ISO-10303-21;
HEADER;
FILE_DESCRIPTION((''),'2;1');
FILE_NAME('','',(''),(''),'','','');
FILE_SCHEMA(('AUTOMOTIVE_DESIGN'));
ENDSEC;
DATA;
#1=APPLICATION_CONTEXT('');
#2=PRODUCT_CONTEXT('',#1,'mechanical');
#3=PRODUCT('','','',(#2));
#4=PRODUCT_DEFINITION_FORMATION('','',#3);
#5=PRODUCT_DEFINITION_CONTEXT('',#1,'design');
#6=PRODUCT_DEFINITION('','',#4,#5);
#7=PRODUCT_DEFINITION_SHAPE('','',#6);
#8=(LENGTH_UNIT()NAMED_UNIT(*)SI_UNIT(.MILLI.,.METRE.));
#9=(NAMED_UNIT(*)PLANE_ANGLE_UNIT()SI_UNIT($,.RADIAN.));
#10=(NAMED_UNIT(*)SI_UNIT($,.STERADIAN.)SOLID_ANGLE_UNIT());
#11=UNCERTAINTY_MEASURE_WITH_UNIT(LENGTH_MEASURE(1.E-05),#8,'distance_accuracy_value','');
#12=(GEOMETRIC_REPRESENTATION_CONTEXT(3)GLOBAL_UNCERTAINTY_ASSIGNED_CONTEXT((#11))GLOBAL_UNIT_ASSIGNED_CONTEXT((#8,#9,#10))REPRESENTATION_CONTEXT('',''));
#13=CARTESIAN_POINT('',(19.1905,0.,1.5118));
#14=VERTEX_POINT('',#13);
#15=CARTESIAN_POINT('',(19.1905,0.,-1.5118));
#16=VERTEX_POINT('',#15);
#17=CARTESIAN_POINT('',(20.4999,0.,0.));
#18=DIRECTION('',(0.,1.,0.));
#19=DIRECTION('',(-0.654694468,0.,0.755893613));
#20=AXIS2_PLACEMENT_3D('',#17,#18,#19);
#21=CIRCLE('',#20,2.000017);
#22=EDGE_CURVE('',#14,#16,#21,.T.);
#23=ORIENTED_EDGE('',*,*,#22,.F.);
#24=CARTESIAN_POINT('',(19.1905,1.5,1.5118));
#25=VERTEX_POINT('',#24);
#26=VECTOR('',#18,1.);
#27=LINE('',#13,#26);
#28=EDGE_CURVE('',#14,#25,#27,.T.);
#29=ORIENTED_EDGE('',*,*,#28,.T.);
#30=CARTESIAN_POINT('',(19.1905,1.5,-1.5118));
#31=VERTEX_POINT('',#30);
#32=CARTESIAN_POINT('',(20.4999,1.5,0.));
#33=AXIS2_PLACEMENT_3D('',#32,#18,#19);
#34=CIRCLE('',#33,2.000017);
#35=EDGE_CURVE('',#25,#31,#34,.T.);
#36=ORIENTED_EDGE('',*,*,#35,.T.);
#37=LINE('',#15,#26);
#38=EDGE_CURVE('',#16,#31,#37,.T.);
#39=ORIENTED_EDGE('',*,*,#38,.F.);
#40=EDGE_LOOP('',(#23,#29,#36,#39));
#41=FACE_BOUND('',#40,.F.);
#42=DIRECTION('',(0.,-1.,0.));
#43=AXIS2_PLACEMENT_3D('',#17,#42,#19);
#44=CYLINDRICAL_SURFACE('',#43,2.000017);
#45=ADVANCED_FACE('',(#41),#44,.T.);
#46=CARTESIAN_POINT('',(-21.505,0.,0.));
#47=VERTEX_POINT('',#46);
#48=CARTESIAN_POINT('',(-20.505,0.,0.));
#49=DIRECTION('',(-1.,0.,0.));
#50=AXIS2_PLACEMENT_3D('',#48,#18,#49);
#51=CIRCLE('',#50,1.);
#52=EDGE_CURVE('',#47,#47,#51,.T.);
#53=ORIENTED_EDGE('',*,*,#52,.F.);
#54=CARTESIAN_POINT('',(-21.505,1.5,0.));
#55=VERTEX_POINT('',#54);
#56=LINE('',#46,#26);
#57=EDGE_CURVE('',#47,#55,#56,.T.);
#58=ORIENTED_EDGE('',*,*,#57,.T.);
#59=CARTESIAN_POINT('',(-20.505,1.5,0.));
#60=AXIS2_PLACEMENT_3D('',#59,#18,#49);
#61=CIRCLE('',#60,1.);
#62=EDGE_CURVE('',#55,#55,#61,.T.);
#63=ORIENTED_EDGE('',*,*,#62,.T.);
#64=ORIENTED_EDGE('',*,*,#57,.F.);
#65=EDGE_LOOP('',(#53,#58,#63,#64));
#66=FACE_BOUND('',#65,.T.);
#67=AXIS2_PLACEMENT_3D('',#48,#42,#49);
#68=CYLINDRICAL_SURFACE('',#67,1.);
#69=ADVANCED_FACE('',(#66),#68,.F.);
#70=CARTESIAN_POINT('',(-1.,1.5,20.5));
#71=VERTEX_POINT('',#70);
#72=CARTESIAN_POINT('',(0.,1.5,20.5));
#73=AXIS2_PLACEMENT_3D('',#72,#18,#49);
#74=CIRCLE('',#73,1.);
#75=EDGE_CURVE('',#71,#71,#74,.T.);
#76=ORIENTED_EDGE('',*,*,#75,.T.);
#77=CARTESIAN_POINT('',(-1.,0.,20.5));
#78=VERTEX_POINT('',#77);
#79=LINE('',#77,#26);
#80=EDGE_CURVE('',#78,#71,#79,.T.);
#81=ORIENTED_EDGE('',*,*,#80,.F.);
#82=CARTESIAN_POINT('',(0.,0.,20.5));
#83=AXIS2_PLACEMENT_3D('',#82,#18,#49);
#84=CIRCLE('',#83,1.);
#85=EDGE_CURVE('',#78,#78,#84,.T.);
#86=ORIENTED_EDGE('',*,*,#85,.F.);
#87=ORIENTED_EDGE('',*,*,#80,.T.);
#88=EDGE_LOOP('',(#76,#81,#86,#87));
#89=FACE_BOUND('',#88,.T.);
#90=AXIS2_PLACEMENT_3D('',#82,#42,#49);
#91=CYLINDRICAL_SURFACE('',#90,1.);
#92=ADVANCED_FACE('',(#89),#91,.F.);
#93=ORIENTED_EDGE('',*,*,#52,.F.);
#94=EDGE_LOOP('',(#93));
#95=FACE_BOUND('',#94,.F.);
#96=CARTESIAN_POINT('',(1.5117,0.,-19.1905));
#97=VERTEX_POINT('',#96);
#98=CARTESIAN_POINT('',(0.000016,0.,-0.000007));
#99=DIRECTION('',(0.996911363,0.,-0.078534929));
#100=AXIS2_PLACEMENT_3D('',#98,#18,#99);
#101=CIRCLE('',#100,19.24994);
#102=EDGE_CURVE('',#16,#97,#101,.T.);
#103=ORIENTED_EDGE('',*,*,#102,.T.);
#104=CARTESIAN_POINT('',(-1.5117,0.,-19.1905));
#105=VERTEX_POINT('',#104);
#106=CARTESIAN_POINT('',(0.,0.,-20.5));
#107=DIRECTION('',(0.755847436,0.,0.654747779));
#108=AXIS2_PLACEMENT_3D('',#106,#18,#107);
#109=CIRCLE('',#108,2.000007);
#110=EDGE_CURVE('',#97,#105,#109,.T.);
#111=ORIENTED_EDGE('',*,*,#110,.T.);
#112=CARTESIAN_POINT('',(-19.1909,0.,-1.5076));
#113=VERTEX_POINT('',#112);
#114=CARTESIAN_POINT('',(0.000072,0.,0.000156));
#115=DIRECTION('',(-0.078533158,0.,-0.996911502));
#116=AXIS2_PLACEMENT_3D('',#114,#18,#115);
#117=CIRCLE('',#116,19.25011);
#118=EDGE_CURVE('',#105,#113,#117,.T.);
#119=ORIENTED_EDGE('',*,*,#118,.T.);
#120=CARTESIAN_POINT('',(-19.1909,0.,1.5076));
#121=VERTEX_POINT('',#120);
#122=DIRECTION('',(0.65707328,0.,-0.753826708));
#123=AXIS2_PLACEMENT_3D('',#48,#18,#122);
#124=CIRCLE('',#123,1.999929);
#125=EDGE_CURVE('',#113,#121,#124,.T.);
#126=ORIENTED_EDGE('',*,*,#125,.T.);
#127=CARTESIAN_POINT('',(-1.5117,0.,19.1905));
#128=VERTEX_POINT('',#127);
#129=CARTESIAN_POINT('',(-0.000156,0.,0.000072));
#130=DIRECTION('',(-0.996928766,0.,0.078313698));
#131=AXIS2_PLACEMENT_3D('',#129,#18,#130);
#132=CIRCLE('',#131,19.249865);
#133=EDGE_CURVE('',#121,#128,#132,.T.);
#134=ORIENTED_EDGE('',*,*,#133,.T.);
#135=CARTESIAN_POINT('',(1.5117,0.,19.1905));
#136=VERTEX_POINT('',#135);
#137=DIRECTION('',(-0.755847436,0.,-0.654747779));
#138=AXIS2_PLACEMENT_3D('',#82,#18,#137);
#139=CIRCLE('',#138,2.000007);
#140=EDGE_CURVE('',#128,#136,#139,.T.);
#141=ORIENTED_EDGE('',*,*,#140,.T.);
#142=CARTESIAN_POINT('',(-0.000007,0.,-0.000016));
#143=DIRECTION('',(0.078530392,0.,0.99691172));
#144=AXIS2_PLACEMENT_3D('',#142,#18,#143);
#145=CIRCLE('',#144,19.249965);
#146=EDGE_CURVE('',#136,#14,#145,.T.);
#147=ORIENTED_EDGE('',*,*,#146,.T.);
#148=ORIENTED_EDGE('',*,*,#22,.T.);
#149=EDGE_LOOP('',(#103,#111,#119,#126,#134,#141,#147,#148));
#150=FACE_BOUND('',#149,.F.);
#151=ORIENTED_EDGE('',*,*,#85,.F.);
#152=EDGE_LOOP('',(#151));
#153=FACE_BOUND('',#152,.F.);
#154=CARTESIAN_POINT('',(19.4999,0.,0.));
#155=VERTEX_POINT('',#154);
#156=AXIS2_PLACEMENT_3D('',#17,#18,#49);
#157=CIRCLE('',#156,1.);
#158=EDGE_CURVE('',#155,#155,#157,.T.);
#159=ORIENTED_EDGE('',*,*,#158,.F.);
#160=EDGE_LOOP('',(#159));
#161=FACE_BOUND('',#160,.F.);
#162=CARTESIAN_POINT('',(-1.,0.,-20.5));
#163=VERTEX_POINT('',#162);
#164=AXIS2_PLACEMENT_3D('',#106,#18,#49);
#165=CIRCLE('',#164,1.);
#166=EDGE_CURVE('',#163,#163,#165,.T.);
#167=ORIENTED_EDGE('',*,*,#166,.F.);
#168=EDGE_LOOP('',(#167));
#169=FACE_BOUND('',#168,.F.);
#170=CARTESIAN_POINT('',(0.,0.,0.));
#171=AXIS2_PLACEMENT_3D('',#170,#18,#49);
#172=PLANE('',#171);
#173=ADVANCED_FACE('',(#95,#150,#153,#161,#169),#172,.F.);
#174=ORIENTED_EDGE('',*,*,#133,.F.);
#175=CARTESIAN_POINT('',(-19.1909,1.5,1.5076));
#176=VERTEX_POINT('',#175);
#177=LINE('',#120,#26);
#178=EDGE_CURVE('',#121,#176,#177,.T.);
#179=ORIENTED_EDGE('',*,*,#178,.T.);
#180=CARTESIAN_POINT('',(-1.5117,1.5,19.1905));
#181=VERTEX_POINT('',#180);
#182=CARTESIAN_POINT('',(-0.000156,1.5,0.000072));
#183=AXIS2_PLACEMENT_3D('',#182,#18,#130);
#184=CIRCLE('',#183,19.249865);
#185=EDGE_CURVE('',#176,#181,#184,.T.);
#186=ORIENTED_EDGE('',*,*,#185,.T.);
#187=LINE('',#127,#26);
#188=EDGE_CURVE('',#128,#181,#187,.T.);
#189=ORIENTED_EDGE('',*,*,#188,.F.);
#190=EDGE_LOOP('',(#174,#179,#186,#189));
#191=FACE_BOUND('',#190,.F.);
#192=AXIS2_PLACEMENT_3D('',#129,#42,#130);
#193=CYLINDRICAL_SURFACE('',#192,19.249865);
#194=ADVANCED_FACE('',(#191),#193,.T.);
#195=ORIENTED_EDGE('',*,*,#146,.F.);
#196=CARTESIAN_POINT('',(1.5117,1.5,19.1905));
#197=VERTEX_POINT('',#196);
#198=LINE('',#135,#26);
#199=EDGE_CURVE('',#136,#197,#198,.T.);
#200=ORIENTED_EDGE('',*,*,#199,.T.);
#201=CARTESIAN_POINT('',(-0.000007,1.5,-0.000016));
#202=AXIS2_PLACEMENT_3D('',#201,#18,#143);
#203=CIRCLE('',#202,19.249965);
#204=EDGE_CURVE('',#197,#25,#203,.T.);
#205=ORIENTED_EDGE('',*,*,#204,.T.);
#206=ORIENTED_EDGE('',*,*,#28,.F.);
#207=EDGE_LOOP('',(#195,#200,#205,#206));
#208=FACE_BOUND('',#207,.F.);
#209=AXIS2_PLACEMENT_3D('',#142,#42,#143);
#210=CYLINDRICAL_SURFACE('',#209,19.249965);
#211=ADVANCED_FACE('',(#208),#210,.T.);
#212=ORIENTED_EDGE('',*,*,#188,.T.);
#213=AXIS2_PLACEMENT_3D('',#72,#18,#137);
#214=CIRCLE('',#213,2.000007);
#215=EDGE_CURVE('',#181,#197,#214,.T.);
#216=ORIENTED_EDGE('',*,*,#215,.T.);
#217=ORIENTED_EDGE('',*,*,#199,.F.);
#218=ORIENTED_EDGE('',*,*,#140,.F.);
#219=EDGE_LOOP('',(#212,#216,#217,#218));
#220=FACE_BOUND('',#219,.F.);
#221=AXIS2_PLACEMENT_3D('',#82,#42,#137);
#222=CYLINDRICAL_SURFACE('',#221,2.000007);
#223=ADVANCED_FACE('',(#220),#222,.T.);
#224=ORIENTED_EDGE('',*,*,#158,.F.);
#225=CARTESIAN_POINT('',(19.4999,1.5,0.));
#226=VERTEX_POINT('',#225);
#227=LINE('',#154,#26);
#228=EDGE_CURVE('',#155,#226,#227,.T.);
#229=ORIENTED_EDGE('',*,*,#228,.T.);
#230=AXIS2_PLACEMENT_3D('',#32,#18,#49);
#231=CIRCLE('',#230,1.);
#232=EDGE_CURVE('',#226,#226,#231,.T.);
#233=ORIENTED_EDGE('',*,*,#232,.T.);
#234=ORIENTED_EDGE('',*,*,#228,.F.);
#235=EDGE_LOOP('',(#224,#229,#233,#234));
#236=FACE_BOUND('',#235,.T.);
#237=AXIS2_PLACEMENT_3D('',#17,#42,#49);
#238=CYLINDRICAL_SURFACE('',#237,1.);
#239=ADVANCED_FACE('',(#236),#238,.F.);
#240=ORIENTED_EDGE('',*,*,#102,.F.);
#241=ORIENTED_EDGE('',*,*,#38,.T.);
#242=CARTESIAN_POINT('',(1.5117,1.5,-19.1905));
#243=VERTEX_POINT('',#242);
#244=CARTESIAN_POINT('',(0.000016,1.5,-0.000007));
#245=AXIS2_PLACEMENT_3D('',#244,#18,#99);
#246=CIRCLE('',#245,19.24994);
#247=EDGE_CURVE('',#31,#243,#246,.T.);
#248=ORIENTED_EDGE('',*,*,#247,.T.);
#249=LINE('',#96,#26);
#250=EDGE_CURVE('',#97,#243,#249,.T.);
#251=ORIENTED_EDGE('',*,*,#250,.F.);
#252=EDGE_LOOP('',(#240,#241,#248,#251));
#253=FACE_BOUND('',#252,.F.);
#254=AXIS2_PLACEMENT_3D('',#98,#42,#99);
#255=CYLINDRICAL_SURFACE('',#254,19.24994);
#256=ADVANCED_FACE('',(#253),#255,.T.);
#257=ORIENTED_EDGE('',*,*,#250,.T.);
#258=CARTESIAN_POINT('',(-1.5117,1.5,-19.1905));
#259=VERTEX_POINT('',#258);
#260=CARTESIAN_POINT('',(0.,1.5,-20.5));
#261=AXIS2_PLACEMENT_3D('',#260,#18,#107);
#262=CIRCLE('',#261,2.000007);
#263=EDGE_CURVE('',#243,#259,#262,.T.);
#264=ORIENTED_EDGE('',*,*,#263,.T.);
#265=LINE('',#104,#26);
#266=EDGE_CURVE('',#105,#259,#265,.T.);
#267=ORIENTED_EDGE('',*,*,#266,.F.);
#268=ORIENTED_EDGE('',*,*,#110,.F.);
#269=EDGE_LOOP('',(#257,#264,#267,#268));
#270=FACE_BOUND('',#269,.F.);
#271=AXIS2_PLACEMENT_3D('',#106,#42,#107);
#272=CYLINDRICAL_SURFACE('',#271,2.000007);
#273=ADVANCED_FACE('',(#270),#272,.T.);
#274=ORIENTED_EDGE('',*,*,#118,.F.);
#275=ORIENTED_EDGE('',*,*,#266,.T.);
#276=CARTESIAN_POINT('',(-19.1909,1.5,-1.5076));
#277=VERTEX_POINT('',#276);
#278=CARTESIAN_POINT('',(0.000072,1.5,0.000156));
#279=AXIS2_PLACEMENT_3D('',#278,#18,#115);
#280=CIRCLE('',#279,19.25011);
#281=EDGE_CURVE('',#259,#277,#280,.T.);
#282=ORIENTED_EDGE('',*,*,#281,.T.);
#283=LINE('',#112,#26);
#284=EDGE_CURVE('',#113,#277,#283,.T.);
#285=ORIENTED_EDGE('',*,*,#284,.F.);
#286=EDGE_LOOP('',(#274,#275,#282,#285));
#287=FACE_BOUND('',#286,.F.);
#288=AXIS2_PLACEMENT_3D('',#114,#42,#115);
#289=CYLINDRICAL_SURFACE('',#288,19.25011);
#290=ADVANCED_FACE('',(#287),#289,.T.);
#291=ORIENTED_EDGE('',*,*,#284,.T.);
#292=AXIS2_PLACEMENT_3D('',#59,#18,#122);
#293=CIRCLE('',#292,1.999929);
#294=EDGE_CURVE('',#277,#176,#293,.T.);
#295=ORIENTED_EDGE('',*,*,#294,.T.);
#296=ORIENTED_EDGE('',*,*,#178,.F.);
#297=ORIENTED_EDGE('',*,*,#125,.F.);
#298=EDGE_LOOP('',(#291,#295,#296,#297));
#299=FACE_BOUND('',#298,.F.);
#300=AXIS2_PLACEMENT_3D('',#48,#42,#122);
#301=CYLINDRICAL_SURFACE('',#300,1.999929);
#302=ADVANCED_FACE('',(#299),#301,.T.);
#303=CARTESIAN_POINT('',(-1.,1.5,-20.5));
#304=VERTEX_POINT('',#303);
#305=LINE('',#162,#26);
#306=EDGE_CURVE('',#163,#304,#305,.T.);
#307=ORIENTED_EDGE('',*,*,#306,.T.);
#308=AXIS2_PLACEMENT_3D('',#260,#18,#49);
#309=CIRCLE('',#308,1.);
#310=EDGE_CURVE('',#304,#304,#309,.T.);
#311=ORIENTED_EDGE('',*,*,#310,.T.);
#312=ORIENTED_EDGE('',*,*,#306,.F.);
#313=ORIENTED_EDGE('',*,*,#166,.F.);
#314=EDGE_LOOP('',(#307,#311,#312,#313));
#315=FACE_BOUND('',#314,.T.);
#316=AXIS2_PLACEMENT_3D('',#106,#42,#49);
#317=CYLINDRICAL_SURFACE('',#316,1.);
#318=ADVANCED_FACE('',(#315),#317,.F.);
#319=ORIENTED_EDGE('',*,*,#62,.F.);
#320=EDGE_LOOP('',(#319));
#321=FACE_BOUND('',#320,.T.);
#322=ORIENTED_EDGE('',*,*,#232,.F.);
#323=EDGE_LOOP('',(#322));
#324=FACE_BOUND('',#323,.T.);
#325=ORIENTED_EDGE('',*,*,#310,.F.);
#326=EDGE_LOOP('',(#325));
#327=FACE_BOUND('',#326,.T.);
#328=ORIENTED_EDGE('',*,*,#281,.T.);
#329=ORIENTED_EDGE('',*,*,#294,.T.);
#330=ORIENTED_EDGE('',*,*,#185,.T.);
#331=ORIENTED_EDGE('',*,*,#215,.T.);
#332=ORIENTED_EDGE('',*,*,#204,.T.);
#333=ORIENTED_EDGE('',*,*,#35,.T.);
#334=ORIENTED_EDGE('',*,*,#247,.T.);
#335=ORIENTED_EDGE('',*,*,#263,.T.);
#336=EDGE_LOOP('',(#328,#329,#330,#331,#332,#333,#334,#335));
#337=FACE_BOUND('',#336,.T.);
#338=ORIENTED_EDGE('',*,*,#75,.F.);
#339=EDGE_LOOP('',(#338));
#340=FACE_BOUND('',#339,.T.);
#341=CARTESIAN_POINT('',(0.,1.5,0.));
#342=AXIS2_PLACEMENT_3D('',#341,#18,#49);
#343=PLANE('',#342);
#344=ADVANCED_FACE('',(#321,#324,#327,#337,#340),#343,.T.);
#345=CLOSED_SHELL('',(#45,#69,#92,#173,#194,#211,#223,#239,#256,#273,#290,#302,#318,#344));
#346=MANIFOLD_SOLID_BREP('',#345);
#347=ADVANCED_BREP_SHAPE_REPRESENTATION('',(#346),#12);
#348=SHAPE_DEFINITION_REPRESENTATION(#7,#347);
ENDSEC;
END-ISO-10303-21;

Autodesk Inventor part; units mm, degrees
ref_plane "YZ Plane" through (0, 0, 0) normal (1, 0, 0) x (0, 1, 0)
ref_plane "XZ Plane" through (0, 0, 0) normal (0, 1, 0) x (-1, 0, 0)
ref_plane "XY Plane" through (0, 0, 0) normal (0, 0, 1) x (1, 0, 0)
sketch "Sketch1" plane through (0, 0, 0) normal (0, 1, 0) x (-1, 0, 0)
  arc A0 (-1.5117, -19.1905) -> (1.5117, -19.1905) centre (0, -20.5) ccw
  circle A1 centre (0, 20.5) radius 1
  circle A2 centre (0, -20.5) radius 1
  arc A3 (-1.5117, 19.1905) -> (-19.1905, 1.5118) centre (0, 0) ccw
  arc A4 (-19.1905, 1.5118) -> (-19.1905, -1.5118) centre (-20.4999, 0) ccw
  arc A5 (-19.1905, -1.5118) -> (-1.5117, -19.1905) centre (0, 0) ccw
  arc A6 (-1.5117, -19.1905) -> (1.5117, -19.1905) centre (0, -20.5) ccw
  arc A7 (1.5117, -19.1905) -> (19.1909, -1.5076) centre (0, 0) ccw
  arc A8 (19.1909, -1.5076) -> (19.1909, 1.5076) centre (20.505, 0) ccw
  arc A9 (19.1909, 1.5076) -> (1.5117, 19.1905) centre (0, 0) ccw
  arc A10 (1.5117, 19.1905) -> (-1.5117, 19.1905) centre (0, 20.5) ccw
  circle A11 centre (-20.4999, 0) radius 1
  arc A12 (-18.5, -0.0197) -> (-18.5, 0.0197) centre (-20.4999, 0) ccw
  circle A13 centre (20.505, 0) radius 1
extrude "Extrusion1" add sketch "Sketch1" along normal blind 1.5
properties part number "tapaRGB-anillo"
